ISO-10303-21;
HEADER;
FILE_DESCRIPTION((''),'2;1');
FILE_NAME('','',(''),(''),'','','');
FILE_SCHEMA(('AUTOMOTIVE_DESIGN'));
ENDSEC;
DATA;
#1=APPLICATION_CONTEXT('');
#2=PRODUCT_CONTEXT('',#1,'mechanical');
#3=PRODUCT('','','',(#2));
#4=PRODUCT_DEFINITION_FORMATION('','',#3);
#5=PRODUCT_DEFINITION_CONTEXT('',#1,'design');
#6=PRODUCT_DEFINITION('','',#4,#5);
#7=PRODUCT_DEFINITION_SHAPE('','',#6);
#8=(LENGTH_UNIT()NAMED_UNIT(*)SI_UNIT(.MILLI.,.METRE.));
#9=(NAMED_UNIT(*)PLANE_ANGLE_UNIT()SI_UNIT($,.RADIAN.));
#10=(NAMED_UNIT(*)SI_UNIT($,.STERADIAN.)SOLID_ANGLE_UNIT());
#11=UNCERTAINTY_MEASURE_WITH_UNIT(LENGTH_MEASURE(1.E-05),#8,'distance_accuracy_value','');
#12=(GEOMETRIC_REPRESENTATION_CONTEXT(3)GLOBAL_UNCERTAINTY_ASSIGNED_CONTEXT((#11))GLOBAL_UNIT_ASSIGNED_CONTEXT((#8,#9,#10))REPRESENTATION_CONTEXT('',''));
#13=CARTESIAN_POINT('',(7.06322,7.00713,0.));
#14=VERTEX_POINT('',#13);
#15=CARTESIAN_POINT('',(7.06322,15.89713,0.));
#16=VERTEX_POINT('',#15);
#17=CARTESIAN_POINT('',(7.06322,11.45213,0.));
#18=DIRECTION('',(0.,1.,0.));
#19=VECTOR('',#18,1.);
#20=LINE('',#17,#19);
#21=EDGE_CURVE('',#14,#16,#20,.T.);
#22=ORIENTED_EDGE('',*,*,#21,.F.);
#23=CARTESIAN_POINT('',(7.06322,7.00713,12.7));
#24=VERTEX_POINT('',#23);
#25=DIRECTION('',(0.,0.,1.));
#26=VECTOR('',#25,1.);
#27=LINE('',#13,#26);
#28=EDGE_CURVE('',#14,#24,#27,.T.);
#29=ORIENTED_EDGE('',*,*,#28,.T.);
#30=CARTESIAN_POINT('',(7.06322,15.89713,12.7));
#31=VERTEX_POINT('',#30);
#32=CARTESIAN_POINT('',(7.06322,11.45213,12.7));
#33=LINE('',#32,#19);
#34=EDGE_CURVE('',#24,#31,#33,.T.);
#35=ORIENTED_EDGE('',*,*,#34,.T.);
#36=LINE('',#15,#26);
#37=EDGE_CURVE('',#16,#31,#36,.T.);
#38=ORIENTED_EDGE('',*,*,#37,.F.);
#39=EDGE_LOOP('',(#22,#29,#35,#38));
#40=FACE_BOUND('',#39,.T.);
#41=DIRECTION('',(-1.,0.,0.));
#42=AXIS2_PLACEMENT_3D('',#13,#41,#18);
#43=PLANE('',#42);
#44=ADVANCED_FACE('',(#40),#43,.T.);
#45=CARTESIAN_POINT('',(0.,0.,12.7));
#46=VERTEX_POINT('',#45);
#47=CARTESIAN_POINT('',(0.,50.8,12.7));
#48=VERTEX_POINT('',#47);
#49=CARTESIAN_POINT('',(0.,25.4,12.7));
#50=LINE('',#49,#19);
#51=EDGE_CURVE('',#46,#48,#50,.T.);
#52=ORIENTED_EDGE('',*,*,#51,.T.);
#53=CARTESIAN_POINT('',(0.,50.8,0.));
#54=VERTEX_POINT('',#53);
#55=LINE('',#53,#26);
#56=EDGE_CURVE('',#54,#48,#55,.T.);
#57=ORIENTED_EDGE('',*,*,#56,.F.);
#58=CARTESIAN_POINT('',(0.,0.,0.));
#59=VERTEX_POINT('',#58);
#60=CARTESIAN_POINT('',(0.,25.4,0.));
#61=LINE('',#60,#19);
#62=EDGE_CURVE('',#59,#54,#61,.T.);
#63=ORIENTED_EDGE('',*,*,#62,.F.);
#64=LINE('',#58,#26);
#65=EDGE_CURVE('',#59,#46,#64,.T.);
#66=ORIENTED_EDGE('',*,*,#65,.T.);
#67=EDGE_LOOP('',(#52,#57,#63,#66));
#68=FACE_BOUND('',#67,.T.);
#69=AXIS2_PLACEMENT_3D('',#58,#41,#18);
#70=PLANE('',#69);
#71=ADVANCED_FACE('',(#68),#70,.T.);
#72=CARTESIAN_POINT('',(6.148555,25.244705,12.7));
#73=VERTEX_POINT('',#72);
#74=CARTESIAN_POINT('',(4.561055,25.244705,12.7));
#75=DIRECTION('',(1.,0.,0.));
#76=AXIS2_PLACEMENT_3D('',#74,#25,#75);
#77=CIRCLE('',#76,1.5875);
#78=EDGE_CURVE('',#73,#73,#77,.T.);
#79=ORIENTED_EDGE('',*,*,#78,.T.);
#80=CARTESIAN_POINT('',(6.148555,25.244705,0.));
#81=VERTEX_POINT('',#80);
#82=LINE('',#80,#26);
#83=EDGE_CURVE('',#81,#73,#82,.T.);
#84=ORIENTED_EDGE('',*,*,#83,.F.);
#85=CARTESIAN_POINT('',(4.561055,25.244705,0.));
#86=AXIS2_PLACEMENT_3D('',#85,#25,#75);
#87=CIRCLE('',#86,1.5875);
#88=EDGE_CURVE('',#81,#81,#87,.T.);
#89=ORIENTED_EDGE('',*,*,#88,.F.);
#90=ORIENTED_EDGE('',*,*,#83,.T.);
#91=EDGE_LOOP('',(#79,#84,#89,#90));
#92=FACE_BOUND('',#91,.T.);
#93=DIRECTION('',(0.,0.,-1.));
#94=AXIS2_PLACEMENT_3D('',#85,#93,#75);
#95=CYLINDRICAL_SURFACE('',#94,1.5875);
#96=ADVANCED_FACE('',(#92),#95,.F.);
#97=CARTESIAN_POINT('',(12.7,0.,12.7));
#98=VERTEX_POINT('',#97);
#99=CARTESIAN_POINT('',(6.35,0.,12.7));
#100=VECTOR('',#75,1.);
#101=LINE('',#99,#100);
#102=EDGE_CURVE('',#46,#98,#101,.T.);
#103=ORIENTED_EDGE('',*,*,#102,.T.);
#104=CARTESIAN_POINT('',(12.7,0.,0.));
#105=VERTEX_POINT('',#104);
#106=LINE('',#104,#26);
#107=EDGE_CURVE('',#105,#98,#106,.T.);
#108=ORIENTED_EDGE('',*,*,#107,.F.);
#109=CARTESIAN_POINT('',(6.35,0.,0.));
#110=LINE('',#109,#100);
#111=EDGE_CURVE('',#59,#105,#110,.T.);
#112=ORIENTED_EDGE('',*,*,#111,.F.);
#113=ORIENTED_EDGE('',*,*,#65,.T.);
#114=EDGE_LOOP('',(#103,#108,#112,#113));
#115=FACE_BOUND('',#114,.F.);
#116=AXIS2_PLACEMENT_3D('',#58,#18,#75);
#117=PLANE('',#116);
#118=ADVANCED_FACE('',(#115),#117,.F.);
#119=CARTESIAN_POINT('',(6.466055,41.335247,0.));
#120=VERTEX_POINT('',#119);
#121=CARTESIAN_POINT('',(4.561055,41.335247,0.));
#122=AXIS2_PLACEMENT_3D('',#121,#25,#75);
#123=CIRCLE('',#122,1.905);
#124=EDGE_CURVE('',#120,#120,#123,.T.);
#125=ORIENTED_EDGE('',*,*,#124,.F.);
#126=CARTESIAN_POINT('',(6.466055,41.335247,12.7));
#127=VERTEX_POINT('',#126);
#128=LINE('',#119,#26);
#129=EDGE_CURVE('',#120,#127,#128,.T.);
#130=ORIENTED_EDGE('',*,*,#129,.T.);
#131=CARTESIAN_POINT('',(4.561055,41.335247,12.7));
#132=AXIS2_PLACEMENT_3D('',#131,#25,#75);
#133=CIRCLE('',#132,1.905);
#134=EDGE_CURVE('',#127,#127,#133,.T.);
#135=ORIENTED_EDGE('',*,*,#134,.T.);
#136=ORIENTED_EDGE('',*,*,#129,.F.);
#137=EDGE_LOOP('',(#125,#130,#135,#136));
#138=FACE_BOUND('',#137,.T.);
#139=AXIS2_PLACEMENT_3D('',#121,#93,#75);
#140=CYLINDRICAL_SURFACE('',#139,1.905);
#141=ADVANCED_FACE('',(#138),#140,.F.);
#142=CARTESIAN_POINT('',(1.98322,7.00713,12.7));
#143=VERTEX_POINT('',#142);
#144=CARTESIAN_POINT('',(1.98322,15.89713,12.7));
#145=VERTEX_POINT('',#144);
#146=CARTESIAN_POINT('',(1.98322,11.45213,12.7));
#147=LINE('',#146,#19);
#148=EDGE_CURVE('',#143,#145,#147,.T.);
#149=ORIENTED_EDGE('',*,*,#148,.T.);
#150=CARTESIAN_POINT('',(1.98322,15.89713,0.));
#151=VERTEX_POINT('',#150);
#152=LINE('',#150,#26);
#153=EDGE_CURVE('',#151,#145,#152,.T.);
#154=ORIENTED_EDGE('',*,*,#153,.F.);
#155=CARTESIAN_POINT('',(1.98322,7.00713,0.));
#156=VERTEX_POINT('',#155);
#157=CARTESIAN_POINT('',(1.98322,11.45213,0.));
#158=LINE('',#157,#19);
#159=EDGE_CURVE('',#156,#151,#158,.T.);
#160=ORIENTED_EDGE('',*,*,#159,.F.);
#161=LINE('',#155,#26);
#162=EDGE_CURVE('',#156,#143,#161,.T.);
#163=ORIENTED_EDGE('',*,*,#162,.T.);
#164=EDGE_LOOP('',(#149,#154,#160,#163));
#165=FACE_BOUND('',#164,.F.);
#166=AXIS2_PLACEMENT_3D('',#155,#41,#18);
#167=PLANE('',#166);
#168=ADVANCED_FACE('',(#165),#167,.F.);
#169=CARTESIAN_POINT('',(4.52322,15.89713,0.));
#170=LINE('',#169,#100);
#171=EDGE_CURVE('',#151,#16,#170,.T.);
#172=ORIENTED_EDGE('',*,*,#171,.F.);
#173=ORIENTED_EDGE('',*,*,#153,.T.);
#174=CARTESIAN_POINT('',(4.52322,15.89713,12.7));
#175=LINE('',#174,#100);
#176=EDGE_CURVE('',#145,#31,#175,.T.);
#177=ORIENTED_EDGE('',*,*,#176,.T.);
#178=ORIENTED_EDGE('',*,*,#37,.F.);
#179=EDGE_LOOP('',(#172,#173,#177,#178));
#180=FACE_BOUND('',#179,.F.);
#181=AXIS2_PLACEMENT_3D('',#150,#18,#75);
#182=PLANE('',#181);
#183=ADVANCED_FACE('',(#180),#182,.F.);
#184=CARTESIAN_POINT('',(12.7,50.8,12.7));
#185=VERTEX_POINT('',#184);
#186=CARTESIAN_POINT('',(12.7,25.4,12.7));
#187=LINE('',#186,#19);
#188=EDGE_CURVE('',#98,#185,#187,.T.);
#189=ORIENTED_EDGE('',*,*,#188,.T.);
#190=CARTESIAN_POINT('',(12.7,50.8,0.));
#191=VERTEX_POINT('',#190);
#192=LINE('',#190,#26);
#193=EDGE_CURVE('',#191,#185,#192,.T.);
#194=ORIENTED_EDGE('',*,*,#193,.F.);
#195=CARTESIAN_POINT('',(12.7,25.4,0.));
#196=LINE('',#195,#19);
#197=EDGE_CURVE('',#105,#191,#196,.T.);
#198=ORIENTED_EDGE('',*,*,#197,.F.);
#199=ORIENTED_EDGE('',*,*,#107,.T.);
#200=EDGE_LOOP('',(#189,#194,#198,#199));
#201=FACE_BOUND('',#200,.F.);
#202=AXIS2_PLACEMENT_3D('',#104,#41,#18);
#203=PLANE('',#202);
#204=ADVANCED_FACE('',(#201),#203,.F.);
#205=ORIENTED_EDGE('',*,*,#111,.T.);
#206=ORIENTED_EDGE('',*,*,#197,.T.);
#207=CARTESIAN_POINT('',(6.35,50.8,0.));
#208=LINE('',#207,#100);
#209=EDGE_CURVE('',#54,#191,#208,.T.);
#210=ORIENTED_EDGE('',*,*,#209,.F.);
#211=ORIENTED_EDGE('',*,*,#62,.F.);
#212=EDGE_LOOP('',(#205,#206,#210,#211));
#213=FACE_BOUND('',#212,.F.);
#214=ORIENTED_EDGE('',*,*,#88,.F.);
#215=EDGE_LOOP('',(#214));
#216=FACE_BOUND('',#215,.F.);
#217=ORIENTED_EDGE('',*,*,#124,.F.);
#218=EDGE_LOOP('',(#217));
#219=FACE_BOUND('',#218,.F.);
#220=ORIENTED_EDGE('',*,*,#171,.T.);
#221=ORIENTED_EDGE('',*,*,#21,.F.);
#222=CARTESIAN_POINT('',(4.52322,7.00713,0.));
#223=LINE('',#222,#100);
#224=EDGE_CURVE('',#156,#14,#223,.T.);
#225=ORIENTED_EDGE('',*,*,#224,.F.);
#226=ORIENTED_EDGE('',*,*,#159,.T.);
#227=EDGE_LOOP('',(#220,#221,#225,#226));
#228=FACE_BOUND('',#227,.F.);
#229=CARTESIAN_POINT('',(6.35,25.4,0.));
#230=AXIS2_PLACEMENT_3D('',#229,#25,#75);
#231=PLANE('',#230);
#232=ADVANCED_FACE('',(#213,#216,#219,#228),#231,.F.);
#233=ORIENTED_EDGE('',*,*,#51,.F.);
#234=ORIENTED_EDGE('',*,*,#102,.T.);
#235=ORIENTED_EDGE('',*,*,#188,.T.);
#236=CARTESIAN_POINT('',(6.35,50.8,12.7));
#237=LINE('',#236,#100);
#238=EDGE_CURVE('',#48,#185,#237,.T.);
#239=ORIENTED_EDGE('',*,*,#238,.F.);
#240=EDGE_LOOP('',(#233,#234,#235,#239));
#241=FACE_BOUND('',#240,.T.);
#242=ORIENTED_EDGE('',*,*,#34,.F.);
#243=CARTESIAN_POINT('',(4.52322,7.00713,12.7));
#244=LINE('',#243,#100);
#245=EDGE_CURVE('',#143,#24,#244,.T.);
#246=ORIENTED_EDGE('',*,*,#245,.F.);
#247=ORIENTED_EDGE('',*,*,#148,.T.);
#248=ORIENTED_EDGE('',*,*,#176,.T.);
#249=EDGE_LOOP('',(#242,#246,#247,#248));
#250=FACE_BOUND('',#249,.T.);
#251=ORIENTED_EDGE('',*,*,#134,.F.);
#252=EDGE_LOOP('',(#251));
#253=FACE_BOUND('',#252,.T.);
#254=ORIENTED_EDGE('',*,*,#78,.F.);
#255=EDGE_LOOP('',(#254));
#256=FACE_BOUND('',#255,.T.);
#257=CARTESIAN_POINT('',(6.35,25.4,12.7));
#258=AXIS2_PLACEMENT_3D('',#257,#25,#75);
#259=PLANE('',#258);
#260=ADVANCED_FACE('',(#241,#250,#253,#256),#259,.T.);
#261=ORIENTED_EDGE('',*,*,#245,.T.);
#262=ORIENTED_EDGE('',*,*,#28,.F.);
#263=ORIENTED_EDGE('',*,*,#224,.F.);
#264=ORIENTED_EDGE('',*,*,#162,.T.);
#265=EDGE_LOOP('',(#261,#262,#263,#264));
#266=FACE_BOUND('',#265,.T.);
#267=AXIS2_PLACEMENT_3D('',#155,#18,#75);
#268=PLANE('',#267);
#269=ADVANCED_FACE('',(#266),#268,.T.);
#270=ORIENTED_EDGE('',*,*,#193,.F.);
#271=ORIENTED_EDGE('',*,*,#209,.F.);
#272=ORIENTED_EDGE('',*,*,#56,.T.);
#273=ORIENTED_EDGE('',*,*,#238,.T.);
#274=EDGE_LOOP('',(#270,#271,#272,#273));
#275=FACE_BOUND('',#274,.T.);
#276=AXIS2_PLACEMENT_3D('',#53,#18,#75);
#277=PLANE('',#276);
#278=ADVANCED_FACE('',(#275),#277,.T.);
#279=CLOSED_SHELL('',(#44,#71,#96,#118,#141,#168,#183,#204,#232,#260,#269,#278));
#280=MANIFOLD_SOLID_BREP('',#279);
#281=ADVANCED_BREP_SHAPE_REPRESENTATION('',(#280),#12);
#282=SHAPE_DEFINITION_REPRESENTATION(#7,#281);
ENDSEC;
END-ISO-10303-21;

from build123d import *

# Parameters (mm, degrees)
F0_W     = 12.7
F0_H     = 50.8
F0_W_2   = 5.08
F0_H_2   = 8.89
F0_R     = 1.5875
F0_R_2   = 1.905
F1_DEPTH = 12.7


with BuildPart() as f1:
    # F0 (on Top) → F1 (new body)
    with BuildSketch(Plane.XY):
        with Locations((6.35, 25.4)):
            Rectangle(F0_W, F0_H)
        with Locations((4.52322, 11.45213)):
            Rectangle(F0_W_2, F0_H_2, mode=Mode.SUBTRACT)
        with Locations((4.561055, 25.244705)):
            Circle(F0_R, mode=Mode.SUBTRACT)
        with Locations((4.561055, 41.335247)):
            Circle(F0_R_2, mode=Mode.SUBTRACT)
    extrude(amount=F1_DEPTH)


solid = f1.part
